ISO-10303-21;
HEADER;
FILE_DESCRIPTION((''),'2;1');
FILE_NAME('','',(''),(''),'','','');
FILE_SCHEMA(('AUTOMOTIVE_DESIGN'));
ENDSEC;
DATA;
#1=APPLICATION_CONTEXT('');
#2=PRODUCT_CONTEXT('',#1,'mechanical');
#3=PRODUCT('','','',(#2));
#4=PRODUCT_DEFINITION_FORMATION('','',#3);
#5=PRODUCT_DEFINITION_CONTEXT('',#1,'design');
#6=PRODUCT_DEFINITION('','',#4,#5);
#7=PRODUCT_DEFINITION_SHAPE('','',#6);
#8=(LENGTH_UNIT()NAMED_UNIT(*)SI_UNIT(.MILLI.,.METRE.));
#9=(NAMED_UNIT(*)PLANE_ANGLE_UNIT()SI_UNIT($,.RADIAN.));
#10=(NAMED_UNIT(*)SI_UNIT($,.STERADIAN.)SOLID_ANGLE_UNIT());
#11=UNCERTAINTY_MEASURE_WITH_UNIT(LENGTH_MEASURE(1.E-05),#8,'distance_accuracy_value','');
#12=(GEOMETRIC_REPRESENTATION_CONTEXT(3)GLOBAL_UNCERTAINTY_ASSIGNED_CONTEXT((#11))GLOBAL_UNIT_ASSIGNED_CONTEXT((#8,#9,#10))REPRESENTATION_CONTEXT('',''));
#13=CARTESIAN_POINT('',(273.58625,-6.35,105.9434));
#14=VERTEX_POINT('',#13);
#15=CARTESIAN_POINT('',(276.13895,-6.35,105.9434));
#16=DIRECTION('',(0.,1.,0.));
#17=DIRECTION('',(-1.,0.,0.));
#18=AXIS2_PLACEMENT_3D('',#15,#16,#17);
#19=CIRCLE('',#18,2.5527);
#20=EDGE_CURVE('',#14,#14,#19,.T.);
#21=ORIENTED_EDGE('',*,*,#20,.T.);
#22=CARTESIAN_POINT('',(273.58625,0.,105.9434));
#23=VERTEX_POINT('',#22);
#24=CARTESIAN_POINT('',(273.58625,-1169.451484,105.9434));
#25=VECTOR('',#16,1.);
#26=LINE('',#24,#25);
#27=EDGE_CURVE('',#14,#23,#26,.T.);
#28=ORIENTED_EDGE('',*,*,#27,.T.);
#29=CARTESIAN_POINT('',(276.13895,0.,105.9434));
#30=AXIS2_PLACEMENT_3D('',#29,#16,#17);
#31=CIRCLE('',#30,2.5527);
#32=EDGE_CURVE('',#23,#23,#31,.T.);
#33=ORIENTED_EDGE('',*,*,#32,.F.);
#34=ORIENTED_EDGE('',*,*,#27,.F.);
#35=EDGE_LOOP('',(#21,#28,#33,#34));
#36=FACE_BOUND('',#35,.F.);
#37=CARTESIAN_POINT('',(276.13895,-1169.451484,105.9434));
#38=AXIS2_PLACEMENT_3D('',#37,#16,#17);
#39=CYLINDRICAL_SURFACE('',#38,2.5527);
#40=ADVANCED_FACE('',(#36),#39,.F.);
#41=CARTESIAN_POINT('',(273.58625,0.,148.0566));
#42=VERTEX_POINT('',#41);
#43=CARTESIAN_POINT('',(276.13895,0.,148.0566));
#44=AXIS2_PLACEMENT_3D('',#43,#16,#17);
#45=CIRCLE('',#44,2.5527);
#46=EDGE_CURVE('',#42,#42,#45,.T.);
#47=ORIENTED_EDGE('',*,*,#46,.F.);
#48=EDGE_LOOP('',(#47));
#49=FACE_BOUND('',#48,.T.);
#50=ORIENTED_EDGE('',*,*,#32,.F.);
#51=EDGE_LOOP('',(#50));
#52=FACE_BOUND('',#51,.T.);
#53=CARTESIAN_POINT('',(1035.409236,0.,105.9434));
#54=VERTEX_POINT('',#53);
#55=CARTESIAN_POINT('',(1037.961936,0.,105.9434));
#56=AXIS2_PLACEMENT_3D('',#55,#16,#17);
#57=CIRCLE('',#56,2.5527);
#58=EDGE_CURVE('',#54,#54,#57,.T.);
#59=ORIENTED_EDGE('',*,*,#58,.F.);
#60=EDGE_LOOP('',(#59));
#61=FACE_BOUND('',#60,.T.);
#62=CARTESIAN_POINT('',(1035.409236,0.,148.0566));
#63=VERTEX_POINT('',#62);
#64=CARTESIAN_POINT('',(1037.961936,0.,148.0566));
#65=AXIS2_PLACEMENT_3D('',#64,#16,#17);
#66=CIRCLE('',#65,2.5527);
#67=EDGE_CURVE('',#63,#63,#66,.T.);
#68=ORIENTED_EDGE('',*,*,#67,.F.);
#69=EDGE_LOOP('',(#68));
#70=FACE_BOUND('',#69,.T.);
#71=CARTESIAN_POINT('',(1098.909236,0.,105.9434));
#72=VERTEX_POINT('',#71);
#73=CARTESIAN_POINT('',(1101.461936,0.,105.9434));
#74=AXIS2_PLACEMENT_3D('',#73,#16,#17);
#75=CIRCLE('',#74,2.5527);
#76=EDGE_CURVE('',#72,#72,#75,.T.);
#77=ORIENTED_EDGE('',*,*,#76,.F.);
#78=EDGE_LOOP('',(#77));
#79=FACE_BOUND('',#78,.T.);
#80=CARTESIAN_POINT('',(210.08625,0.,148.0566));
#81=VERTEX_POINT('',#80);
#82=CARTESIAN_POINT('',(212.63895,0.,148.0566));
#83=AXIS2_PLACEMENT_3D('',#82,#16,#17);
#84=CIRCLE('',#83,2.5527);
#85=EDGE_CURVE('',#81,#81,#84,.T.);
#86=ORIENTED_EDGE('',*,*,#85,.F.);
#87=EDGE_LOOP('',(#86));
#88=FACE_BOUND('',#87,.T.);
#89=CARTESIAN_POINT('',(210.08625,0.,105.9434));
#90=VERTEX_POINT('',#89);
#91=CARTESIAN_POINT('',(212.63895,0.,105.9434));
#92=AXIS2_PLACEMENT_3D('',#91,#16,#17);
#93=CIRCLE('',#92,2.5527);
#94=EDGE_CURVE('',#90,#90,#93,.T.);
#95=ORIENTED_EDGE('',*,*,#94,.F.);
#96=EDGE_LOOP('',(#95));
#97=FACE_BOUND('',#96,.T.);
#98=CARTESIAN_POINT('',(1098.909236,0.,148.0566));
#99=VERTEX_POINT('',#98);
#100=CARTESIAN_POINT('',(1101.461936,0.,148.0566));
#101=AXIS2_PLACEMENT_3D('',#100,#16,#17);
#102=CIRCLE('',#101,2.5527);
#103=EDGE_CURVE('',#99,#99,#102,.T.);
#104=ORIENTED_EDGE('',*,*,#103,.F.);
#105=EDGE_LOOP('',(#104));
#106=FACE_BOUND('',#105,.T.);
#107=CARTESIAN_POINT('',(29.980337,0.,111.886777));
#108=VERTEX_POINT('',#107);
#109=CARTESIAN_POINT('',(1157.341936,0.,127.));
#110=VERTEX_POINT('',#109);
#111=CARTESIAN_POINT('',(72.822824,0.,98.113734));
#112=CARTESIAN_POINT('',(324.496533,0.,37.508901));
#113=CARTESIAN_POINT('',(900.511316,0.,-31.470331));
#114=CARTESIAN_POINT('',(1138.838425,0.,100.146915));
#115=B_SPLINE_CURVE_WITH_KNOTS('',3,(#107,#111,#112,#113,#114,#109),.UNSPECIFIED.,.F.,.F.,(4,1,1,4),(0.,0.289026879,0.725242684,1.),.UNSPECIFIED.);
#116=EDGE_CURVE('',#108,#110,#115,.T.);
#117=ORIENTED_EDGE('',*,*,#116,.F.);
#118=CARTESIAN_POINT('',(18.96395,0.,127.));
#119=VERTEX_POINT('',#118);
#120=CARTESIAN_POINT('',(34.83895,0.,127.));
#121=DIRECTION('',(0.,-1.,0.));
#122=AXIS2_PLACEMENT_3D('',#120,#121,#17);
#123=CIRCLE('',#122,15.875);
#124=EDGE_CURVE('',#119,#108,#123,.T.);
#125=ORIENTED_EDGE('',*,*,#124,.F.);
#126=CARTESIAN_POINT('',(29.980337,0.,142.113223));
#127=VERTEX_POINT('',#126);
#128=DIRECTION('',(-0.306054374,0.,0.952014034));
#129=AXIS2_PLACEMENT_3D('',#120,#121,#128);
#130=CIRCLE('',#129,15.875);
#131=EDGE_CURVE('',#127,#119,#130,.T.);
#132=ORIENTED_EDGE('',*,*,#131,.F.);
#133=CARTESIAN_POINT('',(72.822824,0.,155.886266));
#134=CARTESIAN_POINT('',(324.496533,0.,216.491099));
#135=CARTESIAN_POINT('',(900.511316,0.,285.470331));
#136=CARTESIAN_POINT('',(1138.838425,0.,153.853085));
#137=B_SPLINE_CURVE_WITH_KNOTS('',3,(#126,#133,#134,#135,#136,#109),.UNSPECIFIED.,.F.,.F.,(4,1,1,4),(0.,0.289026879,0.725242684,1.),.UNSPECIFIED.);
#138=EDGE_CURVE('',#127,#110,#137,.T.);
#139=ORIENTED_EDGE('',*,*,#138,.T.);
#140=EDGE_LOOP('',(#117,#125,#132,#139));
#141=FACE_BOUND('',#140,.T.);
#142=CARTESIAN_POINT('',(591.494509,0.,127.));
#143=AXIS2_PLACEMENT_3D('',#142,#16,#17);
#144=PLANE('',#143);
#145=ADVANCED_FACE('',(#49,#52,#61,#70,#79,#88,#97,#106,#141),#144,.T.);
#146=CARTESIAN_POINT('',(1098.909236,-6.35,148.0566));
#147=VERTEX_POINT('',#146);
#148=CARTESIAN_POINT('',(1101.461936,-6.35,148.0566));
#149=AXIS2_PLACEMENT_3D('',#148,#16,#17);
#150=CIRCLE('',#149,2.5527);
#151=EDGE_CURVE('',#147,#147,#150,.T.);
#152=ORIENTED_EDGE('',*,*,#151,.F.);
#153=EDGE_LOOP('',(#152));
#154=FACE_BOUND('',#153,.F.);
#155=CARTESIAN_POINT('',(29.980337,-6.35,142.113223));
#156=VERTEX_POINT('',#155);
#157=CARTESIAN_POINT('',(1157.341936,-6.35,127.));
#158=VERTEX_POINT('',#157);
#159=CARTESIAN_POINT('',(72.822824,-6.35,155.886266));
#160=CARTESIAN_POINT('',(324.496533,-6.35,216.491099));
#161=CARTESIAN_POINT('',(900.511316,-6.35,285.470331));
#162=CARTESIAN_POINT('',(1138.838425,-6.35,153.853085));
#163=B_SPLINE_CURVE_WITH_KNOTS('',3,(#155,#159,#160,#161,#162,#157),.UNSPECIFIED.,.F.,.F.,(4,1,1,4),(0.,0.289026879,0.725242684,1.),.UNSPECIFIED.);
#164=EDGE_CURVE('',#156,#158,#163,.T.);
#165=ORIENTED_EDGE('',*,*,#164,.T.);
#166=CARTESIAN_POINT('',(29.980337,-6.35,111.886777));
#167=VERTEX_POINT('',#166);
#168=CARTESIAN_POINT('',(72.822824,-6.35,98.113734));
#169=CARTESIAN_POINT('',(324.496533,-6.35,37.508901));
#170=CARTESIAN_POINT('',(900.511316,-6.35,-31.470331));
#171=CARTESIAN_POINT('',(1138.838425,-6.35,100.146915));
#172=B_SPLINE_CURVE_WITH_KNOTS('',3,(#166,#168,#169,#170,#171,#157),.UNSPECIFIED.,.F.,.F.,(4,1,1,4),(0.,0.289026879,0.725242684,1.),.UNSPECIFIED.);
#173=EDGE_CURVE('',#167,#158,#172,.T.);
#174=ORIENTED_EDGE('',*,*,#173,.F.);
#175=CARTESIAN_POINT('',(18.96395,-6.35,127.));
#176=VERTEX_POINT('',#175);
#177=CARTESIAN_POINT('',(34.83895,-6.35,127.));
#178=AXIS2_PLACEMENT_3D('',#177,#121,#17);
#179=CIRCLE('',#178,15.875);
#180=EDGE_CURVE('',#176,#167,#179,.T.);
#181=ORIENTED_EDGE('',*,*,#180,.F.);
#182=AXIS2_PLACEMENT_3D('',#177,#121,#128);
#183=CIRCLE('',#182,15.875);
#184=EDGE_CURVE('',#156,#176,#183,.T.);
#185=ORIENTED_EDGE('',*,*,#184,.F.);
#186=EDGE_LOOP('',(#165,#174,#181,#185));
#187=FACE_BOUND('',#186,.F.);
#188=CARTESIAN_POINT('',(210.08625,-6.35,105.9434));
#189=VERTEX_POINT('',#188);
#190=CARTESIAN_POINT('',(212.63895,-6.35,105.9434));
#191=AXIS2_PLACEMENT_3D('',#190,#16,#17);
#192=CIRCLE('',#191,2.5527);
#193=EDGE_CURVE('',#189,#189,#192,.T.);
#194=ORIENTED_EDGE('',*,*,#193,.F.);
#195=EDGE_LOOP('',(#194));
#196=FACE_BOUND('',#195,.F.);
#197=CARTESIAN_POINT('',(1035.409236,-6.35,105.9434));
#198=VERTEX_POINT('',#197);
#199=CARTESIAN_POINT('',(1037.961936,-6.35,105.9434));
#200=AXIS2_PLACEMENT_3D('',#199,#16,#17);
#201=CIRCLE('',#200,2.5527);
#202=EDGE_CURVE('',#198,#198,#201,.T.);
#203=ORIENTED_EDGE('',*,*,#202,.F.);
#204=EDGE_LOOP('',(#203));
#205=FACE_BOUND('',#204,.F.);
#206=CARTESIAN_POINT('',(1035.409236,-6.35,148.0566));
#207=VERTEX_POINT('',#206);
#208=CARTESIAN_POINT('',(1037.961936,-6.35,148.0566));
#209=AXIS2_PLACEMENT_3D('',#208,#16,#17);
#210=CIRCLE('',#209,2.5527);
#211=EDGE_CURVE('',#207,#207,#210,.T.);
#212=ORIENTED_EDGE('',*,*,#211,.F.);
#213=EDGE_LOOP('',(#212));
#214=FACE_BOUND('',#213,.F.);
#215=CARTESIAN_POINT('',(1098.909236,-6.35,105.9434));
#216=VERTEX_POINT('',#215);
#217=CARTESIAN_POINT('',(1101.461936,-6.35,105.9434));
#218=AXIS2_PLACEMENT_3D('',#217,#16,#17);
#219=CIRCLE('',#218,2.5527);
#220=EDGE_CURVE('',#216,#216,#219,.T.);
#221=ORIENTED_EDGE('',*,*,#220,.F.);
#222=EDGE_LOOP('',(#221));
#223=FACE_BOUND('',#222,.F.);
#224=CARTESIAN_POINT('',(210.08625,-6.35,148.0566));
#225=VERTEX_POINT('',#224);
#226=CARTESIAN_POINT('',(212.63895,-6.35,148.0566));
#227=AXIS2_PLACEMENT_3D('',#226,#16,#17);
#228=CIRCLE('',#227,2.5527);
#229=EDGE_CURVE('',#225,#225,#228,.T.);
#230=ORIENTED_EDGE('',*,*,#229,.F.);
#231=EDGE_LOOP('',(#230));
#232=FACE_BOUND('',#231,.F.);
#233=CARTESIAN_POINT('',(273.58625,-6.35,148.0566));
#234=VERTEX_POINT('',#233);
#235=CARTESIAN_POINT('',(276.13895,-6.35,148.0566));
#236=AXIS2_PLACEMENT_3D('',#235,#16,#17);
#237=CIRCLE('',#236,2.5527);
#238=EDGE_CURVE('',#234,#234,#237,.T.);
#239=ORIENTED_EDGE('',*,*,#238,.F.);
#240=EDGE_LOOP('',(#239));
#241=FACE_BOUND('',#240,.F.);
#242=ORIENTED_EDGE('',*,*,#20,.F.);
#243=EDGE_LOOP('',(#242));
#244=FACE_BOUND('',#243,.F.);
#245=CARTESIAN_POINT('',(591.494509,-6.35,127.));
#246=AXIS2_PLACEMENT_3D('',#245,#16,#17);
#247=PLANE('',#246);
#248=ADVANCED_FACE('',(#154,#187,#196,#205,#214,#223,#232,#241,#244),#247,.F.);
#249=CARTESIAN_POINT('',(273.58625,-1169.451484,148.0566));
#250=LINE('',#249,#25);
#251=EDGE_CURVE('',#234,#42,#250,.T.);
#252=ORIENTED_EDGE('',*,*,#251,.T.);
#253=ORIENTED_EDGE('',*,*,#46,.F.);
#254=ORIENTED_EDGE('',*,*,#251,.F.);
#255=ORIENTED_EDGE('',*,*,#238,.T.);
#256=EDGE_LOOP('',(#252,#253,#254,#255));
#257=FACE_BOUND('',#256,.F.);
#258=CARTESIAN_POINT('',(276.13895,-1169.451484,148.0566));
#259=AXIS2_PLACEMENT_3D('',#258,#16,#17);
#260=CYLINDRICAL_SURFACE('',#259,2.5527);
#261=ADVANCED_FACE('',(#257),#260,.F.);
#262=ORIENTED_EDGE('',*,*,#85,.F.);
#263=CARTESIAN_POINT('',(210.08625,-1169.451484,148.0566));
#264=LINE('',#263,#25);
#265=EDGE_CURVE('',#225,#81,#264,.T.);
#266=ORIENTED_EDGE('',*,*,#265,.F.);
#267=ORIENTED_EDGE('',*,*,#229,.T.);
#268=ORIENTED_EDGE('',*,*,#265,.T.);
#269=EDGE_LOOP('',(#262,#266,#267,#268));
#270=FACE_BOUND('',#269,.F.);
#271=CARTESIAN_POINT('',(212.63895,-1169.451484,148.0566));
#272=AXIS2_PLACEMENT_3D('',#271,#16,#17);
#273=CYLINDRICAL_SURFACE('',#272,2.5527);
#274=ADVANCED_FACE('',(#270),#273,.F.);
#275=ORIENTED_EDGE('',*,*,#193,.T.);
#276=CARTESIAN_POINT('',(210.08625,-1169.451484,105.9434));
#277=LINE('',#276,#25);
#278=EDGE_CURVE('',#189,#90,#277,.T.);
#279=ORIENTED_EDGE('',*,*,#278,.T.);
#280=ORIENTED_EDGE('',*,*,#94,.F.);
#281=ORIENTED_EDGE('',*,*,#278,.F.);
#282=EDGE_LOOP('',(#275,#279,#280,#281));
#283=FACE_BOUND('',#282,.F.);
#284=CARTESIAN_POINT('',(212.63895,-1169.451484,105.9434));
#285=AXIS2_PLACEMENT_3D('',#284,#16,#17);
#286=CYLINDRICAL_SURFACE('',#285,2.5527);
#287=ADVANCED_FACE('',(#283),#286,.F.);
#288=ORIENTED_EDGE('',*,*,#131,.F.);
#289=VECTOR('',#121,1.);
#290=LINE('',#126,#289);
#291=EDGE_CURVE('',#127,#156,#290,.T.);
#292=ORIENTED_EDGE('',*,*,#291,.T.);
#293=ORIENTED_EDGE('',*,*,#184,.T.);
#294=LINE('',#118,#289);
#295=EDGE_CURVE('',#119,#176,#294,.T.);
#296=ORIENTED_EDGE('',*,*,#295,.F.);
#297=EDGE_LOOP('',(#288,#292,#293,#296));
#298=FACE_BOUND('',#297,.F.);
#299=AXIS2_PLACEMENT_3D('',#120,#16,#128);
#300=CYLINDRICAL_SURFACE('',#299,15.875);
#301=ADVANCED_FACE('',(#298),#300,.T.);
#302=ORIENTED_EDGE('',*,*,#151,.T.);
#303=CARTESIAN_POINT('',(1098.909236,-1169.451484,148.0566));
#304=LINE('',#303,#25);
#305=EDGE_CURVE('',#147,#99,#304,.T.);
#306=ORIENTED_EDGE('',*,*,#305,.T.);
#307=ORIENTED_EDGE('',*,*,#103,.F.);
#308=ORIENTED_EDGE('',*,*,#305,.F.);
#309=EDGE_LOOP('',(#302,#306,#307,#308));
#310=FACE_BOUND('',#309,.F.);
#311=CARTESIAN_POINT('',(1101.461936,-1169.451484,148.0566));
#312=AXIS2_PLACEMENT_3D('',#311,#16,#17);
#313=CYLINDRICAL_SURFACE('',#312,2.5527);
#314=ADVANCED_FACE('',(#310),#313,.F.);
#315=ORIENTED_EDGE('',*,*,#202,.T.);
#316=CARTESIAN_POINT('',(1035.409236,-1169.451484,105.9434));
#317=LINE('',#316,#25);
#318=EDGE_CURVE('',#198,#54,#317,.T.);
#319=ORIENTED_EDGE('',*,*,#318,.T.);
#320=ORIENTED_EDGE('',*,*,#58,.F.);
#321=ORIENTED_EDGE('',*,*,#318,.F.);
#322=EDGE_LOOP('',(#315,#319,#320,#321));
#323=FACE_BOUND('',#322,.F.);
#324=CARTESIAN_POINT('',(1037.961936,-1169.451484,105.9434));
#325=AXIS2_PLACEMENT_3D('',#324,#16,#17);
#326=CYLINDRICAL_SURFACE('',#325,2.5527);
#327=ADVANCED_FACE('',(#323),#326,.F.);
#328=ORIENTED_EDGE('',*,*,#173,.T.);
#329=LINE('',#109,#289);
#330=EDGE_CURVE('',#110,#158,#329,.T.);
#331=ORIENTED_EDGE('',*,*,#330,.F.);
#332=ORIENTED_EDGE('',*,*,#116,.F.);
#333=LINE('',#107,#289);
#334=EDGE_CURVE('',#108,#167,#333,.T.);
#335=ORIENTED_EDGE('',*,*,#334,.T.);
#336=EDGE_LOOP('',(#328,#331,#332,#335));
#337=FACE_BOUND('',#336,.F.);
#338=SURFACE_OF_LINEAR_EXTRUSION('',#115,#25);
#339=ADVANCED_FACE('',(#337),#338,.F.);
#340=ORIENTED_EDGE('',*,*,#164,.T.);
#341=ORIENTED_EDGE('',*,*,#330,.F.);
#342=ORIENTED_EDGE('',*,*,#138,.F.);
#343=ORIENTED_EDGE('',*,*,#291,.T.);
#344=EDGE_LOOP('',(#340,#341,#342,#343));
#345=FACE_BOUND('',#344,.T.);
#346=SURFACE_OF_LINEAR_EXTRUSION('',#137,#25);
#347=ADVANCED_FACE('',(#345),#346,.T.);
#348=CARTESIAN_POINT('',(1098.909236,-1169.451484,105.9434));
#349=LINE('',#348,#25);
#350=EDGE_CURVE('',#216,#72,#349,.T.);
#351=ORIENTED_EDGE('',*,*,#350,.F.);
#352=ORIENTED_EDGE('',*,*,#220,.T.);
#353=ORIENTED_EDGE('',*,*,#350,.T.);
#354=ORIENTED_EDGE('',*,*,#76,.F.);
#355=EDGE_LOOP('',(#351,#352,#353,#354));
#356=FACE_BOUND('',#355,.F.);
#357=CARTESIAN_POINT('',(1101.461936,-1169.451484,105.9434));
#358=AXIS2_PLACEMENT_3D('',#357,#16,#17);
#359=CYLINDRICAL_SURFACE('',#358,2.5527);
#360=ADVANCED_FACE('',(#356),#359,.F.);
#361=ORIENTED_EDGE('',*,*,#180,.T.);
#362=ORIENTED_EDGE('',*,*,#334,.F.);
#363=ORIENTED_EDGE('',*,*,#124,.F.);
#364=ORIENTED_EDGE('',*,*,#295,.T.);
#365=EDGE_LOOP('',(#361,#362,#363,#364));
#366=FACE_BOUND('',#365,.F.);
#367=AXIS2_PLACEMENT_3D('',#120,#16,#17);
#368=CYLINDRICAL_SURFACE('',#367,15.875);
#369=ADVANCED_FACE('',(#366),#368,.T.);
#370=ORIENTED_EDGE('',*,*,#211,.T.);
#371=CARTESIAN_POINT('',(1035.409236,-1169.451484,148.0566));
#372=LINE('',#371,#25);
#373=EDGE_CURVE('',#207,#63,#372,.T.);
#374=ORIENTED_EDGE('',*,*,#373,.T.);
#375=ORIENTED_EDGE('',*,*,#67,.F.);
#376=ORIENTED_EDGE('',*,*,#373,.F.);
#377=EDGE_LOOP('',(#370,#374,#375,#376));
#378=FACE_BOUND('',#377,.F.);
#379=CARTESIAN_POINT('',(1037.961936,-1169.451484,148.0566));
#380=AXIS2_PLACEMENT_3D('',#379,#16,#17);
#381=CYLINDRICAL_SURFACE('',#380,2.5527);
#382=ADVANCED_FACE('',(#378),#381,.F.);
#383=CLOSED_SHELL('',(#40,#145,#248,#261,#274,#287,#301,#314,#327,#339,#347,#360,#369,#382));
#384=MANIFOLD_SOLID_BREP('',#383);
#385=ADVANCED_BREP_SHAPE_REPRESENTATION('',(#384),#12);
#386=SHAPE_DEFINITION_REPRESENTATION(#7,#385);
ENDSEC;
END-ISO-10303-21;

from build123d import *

# Parameters (mm, degrees)
F1_DEPTH = 6.35
F3_D     = 5.1054


with BuildPart() as f1:
    # F0 (on Front) → F1 (new body)
    with BuildSketch(Plane.XZ):
        with BuildLine():
            add(Edge.make_bspline(
                [(29.980336501, 142.1132227858), (72.8228236088, 155.8862661303), (324.4965333324, 216.4910990515), (900.5113158772, 285.470330931), (1138.8384245259, 153.8530853262), (1157.3419364467, 127)],
                knots=[0, 0, 0, 0, 0.2890268791, 0.725242684, 1, 1, 1, 1], degree=3))
            ThreePointArc((29.980336501, 142.1132227858), (22.010346693, 136.3510732212), (18.9639496805, 127))
            ThreePointArc((18.9639496805, 127), (22.010346693, 117.6489267788), (29.980336501, 111.8867772142))
            add(Edge.make_bspline(
                [(29.980336501, 111.8867772142), (72.8228236088, 98.1137338697), (324.4965333324, 37.5089009485), (900.5113158772, -31.470330931), (1138.8384245259, 100.1469146738), (1157.3419364467, 127)],
                knots=[0, 0, 0, 0, 0.2890268791, 0.725242684, 1, 1, 1, 1], degree=3))
        make_face()
    extrude(amount=F1_DEPTH)

    # F3 (through all)
    with Locations(Plane.XZ.offset(6.35)):
        with Locations((276.1389496805, 148.0566), (276.1389496805, 105.9434), (212.6389496805, 148.0566), (1037.9619364467, 148.0566), (1037.9619364467, 105.9434), (1101.4619364467, 105.9434), (1101.4619364467, 148.0566), (212.6389496805, 105.9434)):
            Hole(F3_D / 2)


solid = f1.part
